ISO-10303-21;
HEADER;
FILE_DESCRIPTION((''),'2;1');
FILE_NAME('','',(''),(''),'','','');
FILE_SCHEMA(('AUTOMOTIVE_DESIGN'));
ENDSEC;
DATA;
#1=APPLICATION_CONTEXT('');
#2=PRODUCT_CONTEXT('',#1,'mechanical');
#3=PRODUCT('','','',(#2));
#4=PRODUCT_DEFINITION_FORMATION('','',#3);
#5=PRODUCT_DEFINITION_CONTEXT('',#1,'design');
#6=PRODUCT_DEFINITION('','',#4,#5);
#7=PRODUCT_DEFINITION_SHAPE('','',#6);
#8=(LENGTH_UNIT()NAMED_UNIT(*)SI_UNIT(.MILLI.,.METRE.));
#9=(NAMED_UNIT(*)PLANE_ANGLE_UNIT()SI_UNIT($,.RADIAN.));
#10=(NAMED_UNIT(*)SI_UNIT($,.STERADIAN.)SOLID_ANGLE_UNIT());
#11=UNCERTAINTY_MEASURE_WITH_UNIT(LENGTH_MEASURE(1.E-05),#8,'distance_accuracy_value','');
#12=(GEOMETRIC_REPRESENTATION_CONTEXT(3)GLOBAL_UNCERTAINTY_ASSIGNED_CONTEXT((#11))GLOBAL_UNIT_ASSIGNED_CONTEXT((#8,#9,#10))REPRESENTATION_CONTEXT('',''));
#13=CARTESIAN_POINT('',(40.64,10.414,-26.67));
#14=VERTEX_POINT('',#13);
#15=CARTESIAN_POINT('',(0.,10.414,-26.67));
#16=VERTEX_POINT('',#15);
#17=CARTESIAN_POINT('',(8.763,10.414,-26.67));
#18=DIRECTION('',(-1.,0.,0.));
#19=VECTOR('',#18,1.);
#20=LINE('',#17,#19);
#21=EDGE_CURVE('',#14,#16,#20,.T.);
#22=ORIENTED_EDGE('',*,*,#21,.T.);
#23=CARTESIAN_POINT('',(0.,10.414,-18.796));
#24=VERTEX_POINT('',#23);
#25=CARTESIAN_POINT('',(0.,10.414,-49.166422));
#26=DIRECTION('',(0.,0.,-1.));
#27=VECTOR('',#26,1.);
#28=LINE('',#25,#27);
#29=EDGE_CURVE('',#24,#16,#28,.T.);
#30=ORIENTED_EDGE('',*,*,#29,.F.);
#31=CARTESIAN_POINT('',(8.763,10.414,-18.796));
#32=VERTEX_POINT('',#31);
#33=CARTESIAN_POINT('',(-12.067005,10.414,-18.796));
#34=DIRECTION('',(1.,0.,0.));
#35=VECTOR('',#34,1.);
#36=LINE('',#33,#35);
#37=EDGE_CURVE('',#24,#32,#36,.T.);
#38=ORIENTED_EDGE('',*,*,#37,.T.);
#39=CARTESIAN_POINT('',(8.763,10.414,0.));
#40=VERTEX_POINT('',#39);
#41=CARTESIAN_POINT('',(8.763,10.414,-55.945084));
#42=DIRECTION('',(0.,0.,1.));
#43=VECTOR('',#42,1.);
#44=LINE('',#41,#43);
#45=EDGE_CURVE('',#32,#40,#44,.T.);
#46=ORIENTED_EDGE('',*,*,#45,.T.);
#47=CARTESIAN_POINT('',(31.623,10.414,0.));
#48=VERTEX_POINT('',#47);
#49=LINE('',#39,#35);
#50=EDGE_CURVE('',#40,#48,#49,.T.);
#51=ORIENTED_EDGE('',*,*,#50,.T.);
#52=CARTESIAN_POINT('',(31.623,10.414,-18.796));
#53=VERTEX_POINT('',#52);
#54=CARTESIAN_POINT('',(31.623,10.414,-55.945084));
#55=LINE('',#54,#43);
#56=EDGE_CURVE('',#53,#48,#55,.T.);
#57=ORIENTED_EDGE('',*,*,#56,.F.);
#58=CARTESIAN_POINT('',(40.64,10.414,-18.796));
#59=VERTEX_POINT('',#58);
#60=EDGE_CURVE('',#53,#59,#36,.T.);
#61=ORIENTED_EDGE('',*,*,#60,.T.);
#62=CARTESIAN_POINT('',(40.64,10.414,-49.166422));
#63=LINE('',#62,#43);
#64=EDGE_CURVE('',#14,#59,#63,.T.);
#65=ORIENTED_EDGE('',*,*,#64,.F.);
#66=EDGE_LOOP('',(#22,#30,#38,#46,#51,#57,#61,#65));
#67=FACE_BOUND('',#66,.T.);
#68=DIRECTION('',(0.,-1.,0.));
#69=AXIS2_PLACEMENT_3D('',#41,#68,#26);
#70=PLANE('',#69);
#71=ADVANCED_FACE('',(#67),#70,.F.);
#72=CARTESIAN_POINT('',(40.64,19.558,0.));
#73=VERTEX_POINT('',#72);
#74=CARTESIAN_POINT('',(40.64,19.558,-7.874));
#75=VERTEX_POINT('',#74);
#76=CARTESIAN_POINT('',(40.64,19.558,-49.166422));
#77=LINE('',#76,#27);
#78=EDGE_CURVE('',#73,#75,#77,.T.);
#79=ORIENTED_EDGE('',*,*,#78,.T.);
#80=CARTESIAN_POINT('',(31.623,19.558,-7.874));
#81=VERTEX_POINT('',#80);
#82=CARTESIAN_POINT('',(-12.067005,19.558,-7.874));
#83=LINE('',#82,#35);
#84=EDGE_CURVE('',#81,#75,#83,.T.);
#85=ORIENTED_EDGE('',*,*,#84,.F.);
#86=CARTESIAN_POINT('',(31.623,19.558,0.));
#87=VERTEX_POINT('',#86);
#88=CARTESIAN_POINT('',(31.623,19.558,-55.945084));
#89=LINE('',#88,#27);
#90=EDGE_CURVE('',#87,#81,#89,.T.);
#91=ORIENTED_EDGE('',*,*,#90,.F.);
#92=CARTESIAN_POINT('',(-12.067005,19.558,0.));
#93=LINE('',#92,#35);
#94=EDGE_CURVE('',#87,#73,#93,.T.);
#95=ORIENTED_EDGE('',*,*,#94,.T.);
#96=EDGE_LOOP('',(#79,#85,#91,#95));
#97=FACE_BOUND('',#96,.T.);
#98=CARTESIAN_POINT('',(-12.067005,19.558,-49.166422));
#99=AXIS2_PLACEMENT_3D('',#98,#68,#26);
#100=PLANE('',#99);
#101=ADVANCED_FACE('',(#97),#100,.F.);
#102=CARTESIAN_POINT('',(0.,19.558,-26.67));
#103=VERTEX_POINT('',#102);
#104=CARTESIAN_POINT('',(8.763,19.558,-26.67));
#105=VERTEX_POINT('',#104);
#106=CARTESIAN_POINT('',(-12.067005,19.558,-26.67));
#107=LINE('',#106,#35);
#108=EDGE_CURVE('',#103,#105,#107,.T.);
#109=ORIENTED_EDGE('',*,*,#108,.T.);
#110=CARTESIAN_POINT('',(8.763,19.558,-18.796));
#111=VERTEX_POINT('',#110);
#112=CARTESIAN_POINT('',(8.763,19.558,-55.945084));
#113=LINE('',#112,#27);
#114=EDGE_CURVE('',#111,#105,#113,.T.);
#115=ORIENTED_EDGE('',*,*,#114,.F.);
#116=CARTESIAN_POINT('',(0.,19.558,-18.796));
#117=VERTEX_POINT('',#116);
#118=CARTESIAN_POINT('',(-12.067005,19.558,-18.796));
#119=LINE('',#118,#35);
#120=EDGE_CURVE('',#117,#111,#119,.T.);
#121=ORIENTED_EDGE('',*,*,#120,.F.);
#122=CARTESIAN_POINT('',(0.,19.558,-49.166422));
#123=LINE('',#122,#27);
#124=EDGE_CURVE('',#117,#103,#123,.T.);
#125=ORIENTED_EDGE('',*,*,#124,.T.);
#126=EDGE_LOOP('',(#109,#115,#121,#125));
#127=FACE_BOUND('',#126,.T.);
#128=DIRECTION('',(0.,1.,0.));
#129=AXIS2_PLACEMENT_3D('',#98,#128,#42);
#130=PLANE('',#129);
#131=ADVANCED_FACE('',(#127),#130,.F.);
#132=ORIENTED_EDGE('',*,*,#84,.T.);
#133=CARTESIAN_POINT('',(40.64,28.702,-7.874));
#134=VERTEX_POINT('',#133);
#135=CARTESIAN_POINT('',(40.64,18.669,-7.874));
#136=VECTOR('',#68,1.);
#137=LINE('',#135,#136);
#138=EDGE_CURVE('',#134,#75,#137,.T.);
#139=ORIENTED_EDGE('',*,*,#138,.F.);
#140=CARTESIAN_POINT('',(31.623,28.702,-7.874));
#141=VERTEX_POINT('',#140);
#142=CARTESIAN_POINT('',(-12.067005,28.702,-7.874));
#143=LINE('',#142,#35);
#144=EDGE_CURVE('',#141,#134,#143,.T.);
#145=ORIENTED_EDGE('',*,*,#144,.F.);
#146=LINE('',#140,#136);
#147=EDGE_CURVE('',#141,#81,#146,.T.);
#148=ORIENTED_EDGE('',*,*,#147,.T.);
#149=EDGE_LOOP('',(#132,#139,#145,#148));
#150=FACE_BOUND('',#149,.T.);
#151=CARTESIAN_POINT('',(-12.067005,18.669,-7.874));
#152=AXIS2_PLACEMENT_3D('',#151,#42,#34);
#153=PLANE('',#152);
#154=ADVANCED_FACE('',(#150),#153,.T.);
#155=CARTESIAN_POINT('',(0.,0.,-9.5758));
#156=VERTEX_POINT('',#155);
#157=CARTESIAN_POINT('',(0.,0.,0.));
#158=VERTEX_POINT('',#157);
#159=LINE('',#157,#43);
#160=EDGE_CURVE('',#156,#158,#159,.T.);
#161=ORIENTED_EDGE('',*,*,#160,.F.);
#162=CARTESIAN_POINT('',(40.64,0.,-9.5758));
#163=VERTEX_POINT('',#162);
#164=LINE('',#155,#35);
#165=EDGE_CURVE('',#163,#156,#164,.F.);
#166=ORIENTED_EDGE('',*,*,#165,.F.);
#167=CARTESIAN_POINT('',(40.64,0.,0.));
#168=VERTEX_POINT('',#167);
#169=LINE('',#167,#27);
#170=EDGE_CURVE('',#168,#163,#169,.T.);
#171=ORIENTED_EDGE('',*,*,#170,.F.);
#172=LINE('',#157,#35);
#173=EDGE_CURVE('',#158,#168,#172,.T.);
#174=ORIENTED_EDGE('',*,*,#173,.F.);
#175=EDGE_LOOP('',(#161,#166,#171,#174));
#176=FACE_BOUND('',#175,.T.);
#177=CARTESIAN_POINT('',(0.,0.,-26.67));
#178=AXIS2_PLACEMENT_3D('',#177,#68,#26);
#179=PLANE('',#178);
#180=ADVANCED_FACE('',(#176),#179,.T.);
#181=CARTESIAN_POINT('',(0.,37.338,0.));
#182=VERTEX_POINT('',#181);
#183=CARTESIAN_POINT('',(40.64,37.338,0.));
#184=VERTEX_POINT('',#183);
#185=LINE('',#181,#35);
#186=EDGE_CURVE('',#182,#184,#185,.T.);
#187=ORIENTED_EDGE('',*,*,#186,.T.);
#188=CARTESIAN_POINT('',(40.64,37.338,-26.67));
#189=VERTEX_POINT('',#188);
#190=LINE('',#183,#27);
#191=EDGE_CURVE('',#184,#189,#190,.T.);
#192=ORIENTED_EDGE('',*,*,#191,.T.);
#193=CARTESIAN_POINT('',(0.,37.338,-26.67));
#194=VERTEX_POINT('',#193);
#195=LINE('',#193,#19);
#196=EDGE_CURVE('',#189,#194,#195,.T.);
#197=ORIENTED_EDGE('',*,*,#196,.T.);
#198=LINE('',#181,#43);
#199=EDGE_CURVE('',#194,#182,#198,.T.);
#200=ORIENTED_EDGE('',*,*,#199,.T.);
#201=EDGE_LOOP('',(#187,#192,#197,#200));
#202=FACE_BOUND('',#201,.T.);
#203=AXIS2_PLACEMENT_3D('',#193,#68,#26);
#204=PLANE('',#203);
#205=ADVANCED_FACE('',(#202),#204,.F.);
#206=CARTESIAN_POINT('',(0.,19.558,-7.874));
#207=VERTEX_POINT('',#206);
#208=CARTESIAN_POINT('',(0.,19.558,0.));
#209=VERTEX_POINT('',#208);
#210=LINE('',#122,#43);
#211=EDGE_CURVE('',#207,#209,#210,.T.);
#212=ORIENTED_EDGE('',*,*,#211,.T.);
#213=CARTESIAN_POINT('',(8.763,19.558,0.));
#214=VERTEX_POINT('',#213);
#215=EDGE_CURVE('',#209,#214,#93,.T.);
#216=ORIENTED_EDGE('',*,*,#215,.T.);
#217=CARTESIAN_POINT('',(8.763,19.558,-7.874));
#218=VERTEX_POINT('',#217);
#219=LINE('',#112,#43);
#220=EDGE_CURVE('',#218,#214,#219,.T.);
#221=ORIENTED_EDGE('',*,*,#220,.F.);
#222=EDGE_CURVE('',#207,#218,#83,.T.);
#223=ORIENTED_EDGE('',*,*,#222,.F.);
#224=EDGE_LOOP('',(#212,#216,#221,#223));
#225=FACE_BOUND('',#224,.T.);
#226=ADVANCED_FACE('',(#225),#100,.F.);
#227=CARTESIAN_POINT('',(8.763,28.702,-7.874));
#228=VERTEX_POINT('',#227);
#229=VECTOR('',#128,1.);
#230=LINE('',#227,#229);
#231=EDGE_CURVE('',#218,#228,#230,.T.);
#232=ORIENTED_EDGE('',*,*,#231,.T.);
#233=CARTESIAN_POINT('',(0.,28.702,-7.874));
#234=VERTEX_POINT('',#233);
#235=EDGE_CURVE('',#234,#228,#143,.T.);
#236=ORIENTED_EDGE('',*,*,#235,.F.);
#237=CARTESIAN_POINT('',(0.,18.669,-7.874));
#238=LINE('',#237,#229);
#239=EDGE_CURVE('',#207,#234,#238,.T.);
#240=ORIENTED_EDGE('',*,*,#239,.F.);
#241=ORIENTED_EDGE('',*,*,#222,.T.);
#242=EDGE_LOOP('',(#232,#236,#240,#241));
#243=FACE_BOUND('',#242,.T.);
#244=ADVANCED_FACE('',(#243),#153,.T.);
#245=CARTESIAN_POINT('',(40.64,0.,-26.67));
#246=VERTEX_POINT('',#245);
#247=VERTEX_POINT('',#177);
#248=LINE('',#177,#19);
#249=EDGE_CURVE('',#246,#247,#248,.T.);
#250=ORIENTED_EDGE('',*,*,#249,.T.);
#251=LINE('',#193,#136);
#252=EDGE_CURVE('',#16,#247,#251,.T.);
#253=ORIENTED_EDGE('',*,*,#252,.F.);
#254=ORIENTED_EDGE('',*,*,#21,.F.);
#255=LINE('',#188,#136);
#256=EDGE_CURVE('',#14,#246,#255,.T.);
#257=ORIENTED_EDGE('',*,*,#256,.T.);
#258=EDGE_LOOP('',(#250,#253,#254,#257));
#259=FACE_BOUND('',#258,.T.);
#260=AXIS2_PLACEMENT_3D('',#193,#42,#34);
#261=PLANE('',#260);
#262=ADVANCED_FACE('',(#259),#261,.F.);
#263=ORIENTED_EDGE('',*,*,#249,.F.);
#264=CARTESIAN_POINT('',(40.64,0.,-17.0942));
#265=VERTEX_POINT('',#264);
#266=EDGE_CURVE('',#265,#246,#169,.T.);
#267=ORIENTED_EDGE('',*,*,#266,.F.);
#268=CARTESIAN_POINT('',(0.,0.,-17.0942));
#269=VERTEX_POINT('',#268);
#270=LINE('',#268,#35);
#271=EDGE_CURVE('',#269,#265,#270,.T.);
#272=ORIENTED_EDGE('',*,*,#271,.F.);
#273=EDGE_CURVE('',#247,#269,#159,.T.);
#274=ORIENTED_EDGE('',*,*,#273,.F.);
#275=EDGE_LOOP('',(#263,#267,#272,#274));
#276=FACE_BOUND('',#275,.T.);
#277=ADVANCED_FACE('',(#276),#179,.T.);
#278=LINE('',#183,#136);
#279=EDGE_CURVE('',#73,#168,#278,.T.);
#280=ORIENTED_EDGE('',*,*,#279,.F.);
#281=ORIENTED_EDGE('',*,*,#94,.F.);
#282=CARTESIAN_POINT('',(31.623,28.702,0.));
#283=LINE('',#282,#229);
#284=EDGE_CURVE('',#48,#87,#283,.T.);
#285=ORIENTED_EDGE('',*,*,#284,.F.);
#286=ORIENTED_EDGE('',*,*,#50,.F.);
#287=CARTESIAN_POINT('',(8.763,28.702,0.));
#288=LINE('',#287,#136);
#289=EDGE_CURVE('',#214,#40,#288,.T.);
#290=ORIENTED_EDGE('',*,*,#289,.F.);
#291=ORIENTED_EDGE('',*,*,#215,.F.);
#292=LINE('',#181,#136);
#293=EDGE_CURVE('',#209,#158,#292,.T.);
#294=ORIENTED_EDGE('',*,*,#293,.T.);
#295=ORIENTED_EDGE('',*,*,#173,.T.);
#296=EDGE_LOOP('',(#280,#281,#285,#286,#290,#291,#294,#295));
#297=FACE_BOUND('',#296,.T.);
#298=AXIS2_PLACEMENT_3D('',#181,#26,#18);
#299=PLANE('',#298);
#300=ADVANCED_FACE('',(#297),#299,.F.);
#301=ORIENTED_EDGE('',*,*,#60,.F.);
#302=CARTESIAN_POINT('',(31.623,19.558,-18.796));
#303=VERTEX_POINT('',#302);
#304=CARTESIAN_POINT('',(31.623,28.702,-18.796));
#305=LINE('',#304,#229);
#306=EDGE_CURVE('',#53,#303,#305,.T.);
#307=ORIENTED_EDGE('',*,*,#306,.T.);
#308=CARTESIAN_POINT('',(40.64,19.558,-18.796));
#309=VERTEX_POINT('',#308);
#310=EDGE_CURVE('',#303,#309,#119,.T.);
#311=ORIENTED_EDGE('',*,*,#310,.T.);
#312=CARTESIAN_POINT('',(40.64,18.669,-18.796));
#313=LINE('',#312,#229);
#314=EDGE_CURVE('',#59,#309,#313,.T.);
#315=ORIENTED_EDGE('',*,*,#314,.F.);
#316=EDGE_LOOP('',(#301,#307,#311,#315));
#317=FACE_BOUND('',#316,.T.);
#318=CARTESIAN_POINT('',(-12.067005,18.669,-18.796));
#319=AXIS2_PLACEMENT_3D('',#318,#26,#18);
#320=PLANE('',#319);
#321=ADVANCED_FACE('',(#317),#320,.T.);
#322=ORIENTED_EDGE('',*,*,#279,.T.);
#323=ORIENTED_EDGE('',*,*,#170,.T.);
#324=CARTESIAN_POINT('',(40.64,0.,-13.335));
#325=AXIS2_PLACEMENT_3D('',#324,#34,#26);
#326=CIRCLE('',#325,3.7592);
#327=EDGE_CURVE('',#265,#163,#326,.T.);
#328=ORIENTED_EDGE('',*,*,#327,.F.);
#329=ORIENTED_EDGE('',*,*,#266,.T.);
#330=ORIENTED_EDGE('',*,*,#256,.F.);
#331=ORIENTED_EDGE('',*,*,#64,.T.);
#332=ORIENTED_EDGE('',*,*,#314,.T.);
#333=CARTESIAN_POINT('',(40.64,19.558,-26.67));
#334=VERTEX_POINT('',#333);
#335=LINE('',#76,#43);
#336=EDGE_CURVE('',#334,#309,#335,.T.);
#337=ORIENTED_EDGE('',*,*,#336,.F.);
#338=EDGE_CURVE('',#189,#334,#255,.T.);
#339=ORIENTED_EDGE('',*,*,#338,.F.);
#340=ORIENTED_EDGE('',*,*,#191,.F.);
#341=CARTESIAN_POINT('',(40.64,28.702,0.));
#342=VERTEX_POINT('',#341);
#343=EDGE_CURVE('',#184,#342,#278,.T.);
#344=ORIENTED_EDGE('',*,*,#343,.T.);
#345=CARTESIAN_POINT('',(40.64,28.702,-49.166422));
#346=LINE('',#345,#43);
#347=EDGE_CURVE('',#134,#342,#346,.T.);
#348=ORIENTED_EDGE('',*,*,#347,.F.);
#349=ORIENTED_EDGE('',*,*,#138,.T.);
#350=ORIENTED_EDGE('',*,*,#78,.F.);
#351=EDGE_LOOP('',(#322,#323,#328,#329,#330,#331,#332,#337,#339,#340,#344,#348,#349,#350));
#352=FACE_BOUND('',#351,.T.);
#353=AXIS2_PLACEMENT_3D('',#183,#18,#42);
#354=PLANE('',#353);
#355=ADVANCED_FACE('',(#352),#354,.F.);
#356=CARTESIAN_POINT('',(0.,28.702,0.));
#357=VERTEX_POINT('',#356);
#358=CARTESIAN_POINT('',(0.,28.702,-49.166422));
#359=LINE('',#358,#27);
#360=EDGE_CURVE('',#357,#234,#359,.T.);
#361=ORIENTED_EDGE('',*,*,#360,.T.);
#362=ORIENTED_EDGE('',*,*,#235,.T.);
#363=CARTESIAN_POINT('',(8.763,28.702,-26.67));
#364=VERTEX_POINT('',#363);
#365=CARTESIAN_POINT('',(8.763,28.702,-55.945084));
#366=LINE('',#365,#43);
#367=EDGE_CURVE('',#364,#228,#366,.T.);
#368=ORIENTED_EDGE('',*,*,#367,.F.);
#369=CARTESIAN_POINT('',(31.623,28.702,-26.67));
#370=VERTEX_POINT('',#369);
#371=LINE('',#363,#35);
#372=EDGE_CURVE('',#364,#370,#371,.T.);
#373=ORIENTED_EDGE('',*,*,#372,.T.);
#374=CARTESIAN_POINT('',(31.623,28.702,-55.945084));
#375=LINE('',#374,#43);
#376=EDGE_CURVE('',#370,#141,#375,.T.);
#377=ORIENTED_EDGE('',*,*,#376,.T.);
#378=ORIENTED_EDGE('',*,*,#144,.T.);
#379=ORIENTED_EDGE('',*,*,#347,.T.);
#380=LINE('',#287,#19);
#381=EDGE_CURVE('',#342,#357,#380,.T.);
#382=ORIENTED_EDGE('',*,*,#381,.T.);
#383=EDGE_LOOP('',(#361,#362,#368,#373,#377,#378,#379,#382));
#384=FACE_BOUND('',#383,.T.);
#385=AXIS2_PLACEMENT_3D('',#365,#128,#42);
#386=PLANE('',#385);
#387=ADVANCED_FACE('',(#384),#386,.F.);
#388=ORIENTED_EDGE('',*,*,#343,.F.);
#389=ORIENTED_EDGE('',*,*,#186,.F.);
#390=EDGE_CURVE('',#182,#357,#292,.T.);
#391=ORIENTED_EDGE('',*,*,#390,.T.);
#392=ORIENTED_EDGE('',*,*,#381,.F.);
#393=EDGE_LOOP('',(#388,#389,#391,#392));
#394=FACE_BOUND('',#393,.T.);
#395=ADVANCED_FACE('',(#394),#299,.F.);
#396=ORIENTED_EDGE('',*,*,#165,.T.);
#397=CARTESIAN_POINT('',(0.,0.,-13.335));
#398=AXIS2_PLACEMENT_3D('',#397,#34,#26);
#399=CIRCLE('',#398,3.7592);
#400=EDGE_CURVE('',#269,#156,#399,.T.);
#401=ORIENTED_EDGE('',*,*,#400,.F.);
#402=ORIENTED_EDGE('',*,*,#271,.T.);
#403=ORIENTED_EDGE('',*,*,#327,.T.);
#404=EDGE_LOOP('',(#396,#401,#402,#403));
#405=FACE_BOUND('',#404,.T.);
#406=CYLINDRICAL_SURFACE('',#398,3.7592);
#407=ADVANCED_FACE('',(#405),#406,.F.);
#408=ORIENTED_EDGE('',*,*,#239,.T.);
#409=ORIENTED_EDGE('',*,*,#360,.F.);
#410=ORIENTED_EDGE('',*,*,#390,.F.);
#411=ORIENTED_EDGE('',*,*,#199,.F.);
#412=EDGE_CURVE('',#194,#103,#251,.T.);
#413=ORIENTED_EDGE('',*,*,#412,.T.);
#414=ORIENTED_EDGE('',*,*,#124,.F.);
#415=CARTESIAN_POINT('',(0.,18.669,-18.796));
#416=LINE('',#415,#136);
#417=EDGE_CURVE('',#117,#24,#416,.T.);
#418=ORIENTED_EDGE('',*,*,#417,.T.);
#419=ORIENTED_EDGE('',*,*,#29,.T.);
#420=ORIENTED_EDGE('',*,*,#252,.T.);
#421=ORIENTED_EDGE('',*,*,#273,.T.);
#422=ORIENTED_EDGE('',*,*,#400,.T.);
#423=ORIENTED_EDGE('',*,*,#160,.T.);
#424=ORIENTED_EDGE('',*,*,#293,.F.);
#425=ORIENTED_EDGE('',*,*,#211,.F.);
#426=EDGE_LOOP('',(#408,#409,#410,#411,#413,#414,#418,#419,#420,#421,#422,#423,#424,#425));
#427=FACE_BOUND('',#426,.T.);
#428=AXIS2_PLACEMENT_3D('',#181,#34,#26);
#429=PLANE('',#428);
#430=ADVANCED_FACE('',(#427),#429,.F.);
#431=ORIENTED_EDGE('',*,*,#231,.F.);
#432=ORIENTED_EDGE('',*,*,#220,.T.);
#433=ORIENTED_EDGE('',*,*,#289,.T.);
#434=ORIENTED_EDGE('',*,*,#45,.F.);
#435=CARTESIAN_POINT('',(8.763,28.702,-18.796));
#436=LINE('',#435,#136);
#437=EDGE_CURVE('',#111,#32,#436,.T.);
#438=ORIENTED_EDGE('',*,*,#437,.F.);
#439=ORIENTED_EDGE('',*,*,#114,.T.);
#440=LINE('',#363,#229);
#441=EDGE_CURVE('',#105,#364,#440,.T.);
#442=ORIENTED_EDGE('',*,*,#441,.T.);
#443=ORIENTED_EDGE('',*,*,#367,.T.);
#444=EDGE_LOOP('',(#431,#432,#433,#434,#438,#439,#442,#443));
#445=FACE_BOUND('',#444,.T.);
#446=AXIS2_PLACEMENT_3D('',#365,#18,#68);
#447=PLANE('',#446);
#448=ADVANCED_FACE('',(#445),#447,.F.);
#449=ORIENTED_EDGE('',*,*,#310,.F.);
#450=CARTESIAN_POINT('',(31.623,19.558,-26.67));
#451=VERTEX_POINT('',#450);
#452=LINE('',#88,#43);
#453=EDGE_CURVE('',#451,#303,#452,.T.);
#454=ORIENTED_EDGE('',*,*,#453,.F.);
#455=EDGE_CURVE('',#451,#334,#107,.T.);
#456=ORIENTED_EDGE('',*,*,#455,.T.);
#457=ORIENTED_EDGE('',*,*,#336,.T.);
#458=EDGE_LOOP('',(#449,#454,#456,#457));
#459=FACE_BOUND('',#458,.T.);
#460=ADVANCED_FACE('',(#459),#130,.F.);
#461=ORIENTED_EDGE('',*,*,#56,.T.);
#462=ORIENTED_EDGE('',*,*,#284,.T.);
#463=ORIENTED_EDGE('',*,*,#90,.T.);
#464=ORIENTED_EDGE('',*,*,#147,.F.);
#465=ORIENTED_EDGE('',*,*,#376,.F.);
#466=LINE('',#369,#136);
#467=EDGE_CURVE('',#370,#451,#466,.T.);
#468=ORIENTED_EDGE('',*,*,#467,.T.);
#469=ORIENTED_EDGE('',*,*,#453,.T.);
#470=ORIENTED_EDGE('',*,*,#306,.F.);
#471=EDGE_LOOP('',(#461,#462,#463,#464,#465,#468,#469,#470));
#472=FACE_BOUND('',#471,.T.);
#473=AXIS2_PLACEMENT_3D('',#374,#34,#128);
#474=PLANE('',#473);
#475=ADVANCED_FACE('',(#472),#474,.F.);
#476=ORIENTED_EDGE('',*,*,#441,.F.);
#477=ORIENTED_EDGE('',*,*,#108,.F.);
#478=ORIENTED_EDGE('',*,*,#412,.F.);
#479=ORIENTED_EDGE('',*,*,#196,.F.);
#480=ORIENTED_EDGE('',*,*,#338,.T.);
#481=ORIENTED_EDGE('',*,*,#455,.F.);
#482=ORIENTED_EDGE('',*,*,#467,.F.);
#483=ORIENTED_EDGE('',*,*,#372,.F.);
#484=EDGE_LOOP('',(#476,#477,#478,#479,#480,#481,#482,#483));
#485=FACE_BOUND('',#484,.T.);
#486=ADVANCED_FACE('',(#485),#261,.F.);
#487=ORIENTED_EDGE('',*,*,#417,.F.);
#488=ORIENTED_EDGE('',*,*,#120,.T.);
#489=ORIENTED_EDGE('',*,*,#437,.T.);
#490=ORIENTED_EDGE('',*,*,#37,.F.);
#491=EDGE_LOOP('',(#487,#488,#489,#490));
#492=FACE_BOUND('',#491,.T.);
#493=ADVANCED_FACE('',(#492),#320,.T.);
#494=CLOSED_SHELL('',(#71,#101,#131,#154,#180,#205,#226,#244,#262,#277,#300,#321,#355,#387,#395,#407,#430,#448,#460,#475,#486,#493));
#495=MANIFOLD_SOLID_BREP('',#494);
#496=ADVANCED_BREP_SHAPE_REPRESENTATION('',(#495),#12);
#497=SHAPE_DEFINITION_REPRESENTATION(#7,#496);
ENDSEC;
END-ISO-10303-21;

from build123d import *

# Parameters (mm, degrees)
SKETCH2_W             = 40.64
SKETCH2_H             = 26.67
BOSS_EXTRUDE1_DEPTH   = 37.338
SKETCH3_R             = 3.7592
BODY_TUBE_CUT_DEPTH   = 62.294573528
SKETCH4_W             = 22.86
SKETCH4_H             = 18.288
SERVO_BODY_HOLE_DEPTH = 26.67
CUT_EXTRUDE3_REACH    = 63.295
SKETCH5_W             = 7.874
SKETCH5_H             = 9.144


with BuildPart() as part:
    # Sketch2 → Boss-Extrude1 (new body)
    with BuildSketch(Plane(origin=(0, 0, 0), x_dir=(1, 0, 0), z_dir=(0, 1, 0))):
        with Locations((20.32, 13.335)):
            Rectangle(SKETCH2_W, SKETCH2_H)
    extrude(amount=BOSS_EXTRUDE1_DEPTH)

    # Sketch3 → Body Tube Cut (cut, through all)
    with BuildSketch(Plane(origin=(40.64, 0, 0), x_dir=(0, 0, -1), z_dir=(1, 0, 0))):
        with Locations((13.335, 0)):
            Circle(SKETCH3_R)
    extrude(amount=-BODY_TUBE_CUT_DEPTH, mode=Mode.SUBTRACT)

    # Sketch4 → Servo Body Hole (cut)
    with BuildSketch(Plane.XY):
        with Locations((20.193, 19.558)):
            Rectangle(SKETCH4_W, SKETCH4_H)
    extrude(amount=-SERVO_BODY_HOLE_DEPTH, mode=Mode.SUBTRACT)

    # Cut-Extrude3: up to this face of the body (flat: up to its plane)
    cut_extrude3_end = Plane(part.part.faces().sort_by_distance((0, 19.058270015, -13.335))[0])
    # Sketch5 → Cut-Extrude3 (cut, up to the picked face)
    with BuildSketch(Plane(origin=(40.64, 0, 0), x_dir=(0, 0, -1), z_dir=(1, 0, 0)), mode=Mode.PRIVATE) as cut_extrude3_sk1:
        with Locations((3.937, 24.13)):
            Rectangle(SKETCH5_W, SKETCH5_H)
    cut_extrude3_tool1 = split(extrude(cut_extrude3_sk1.sketch, amount=-CUT_EXTRUDE3_REACH, mode=Mode.PRIVATE), bisect_by=cut_extrude3_end, keep=Keep.BOTH, mode=Mode.PRIVATE)
    # Sketch5 → Cut-Extrude3 (cut, up to the picked face)
    with BuildSketch(Plane(origin=(40.64, 0, 0), x_dir=(0, 0, -1), z_dir=(1, 0, 0)), mode=Mode.PRIVATE) as cut_extrude3_sk2:
        with Locations((22.733, 14.986)):
            Rectangle(SKETCH5_W, SKETCH5_H)
    cut_extrude3_tool2 = split(extrude(cut_extrude3_sk2.sketch, amount=-CUT_EXTRUDE3_REACH, mode=Mode.PRIVATE), bisect_by=cut_extrude3_end, keep=Keep.BOTH, mode=Mode.PRIVATE)
    add(cut_extrude3_tool1.solids().sort_by(Axis((40.64, 24.13, -3.937), (-1, 0, 0)))[0], mode=Mode.SUBTRACT)
    add(cut_extrude3_tool2.solids().sort_by(Axis((40.64, 14.986, -22.733), (-1, 0, 0)))[0], mode=Mode.SUBTRACT)


solid = part.part
